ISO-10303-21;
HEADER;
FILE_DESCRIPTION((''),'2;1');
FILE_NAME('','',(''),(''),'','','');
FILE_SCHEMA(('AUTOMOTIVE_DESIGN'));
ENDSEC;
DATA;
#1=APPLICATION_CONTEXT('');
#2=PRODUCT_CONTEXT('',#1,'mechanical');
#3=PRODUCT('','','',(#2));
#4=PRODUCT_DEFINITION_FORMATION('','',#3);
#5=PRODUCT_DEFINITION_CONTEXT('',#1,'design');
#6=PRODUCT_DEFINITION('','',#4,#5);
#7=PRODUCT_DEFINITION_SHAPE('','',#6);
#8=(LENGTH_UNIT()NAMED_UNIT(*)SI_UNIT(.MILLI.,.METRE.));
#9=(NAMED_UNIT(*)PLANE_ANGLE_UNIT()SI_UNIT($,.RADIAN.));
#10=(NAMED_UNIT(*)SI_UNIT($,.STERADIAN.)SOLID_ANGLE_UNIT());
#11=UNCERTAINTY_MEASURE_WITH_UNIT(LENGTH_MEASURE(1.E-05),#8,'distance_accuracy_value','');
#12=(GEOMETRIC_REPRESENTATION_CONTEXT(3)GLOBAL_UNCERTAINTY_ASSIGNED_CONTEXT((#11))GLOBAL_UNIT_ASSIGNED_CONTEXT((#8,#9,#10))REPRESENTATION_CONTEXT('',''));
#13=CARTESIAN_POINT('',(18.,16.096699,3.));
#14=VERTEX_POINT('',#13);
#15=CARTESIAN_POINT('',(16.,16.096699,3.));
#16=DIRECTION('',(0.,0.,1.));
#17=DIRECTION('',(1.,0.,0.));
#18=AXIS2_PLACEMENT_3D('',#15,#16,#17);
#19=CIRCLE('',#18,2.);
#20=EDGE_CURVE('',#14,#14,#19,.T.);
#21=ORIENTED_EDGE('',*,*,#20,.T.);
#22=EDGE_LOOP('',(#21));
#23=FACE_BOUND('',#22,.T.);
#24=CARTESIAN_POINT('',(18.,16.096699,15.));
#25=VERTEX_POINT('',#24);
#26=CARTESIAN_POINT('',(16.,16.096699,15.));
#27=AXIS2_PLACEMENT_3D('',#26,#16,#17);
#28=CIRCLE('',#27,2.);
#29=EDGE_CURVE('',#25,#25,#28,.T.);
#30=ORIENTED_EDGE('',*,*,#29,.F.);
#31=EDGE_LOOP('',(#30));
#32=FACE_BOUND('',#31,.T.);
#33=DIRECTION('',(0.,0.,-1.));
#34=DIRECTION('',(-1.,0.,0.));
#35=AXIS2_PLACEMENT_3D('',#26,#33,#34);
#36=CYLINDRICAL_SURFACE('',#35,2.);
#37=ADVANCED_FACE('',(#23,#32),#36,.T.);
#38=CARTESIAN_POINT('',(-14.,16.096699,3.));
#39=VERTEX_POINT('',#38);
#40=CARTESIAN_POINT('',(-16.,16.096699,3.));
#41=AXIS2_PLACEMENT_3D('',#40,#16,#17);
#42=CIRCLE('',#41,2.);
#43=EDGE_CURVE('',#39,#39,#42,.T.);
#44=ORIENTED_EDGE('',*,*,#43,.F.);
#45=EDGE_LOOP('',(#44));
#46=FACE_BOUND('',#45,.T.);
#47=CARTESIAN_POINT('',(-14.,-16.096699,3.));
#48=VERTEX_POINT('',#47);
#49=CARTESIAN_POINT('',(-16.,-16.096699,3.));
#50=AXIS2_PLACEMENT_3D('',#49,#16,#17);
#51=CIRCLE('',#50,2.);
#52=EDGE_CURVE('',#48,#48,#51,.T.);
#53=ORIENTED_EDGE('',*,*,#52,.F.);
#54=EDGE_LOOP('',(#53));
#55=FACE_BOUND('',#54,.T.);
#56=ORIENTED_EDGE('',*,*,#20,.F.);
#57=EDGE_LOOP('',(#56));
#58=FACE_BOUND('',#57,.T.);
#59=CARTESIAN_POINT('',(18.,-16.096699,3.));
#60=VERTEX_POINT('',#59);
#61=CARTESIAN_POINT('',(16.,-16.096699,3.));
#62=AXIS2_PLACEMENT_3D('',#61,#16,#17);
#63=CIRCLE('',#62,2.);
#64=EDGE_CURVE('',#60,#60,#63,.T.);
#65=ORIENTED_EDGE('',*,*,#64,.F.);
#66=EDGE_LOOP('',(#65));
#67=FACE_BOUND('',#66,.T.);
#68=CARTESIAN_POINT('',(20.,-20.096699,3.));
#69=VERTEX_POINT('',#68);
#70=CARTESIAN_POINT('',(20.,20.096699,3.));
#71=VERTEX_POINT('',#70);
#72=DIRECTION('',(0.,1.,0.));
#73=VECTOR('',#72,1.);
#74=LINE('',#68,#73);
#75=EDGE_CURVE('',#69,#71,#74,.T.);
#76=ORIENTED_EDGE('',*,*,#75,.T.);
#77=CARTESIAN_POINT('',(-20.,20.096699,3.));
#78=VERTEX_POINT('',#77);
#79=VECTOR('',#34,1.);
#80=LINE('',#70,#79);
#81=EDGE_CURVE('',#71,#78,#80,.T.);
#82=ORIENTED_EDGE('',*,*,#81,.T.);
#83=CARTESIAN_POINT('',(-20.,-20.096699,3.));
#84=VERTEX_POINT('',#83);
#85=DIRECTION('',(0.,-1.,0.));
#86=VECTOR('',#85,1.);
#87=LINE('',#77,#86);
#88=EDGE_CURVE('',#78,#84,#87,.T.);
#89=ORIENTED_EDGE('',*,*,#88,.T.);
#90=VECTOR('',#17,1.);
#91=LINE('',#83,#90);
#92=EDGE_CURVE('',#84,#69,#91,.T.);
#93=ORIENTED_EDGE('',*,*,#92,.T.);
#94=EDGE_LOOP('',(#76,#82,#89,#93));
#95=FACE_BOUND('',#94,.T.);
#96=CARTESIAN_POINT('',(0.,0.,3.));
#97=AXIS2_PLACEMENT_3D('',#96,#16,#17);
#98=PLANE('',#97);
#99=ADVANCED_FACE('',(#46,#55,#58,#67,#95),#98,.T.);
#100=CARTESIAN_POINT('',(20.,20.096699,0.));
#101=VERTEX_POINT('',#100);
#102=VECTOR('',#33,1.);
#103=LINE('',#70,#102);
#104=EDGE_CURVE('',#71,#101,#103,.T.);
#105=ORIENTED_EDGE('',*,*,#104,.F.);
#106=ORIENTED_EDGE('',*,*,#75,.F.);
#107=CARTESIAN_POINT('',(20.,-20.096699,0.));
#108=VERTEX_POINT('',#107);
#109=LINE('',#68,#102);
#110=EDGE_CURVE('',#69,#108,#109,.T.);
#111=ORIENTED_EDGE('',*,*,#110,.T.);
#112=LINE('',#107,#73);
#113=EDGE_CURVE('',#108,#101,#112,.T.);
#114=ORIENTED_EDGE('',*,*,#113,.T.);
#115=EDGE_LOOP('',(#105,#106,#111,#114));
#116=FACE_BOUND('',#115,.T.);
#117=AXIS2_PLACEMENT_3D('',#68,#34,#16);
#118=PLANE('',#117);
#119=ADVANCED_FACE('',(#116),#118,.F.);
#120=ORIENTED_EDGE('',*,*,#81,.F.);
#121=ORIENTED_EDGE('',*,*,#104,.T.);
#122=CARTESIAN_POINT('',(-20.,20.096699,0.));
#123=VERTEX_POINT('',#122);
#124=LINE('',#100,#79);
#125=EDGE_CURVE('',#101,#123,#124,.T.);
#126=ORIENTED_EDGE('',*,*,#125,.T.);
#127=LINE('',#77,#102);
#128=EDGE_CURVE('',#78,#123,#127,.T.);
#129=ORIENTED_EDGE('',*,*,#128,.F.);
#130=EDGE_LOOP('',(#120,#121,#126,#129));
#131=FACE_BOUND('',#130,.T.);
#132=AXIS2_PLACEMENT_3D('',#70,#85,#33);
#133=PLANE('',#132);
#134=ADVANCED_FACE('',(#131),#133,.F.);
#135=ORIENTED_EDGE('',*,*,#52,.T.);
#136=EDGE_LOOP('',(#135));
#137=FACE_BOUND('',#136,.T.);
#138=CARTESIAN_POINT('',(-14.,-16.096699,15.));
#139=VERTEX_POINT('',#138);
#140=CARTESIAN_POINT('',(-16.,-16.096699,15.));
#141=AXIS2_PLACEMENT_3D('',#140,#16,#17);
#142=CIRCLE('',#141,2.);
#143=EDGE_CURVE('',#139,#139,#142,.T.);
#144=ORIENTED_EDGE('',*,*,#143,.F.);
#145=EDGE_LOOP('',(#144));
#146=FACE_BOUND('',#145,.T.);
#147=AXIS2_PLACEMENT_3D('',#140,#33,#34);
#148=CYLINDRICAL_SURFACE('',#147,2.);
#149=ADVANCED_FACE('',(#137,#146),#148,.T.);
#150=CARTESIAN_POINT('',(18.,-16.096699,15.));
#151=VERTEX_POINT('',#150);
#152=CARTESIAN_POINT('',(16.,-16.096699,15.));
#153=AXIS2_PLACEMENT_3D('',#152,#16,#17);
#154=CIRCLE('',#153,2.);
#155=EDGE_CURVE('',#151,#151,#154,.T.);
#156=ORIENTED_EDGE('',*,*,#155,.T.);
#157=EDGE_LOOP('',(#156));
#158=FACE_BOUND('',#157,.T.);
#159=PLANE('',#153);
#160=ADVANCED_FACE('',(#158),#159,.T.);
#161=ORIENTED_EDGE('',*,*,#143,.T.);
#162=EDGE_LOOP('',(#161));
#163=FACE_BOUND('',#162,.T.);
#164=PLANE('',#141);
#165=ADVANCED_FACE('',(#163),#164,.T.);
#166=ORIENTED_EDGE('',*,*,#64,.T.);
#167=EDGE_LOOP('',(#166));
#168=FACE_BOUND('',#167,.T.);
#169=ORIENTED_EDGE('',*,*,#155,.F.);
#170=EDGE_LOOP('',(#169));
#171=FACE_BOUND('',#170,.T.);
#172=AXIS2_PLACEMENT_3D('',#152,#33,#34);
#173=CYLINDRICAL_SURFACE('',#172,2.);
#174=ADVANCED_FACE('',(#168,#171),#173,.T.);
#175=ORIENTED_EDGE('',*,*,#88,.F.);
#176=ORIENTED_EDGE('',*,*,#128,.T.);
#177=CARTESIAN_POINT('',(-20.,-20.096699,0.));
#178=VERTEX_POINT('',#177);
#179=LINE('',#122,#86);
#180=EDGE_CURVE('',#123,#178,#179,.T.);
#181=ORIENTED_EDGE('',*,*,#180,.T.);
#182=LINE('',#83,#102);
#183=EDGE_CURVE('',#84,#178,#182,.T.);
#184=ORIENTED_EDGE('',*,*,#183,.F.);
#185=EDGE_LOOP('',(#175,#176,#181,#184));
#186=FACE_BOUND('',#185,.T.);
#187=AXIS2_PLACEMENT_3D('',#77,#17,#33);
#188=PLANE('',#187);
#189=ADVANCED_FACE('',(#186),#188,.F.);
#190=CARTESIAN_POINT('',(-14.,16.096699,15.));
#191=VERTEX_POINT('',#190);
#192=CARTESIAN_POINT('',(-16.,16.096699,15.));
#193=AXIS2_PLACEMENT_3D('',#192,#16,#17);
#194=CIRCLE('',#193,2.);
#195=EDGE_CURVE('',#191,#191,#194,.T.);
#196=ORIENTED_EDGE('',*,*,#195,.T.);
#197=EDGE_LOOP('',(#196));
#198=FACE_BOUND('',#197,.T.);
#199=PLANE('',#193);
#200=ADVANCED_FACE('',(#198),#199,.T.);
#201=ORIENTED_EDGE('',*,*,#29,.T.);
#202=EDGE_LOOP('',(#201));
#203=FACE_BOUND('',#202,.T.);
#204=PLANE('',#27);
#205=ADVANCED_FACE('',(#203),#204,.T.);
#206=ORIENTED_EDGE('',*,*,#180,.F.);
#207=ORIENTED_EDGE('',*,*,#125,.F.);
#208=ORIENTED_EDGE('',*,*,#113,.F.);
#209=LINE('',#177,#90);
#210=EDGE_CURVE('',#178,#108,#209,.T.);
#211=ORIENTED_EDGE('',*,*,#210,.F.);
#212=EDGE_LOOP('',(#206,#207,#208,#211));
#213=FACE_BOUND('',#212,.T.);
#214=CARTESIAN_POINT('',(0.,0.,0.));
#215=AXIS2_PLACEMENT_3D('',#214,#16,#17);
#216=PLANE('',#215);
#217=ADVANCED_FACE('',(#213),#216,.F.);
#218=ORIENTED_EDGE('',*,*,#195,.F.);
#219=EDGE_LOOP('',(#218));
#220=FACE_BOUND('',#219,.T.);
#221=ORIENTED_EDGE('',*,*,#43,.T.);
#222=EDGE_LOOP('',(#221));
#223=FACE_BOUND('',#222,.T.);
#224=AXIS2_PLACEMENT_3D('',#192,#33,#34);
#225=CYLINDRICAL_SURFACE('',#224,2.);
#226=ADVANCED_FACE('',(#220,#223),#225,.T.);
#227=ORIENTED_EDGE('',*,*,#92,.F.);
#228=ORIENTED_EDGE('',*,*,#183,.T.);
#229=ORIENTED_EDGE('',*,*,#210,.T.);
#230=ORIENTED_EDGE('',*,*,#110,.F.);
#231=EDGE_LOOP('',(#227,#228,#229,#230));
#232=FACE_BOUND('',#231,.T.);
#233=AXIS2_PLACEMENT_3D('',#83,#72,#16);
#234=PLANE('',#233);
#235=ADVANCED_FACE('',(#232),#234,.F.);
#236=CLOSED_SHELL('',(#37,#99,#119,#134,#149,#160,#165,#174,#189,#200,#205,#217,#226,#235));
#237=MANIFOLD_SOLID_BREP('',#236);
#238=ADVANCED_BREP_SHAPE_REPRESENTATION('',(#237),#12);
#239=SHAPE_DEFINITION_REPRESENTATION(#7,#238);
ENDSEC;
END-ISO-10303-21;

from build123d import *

# Parameters (mm, degrees)
SKETCH_1_W         = 40
SKETCH_1_H         = 40.193398756
FORMER_BASE_DEPTH  = 3
FORMER_POSTS_START = 3
SKETCH_2_R         = 2
FORMER_POSTS_DEPTH = 12


with BuildPart() as part:
    # Эскиз1 → Former_base (new body)
    with BuildSketch(Plane.XY):
        Rectangle(SKETCH_1_W, SKETCH_1_H)
    extrude(amount=FORMER_BASE_DEPTH)

    # Эскиз2 → Former_posts (add)
    with BuildSketch(Plane.XY.offset(FORMER_POSTS_START)):
        with Locations((-16, -16.096699378)):
            Circle(SKETCH_2_R)
        with Locations((-16, 16.096699378)):
            Circle(SKETCH_2_R)
        with Locations((16, -16.096699378)):
            Circle(SKETCH_2_R)
        with Locations((16, 16.096699378)):
            Circle(SKETCH_2_R)
    extrude(amount=FORMER_POSTS_DEPTH)


solid = part.part
